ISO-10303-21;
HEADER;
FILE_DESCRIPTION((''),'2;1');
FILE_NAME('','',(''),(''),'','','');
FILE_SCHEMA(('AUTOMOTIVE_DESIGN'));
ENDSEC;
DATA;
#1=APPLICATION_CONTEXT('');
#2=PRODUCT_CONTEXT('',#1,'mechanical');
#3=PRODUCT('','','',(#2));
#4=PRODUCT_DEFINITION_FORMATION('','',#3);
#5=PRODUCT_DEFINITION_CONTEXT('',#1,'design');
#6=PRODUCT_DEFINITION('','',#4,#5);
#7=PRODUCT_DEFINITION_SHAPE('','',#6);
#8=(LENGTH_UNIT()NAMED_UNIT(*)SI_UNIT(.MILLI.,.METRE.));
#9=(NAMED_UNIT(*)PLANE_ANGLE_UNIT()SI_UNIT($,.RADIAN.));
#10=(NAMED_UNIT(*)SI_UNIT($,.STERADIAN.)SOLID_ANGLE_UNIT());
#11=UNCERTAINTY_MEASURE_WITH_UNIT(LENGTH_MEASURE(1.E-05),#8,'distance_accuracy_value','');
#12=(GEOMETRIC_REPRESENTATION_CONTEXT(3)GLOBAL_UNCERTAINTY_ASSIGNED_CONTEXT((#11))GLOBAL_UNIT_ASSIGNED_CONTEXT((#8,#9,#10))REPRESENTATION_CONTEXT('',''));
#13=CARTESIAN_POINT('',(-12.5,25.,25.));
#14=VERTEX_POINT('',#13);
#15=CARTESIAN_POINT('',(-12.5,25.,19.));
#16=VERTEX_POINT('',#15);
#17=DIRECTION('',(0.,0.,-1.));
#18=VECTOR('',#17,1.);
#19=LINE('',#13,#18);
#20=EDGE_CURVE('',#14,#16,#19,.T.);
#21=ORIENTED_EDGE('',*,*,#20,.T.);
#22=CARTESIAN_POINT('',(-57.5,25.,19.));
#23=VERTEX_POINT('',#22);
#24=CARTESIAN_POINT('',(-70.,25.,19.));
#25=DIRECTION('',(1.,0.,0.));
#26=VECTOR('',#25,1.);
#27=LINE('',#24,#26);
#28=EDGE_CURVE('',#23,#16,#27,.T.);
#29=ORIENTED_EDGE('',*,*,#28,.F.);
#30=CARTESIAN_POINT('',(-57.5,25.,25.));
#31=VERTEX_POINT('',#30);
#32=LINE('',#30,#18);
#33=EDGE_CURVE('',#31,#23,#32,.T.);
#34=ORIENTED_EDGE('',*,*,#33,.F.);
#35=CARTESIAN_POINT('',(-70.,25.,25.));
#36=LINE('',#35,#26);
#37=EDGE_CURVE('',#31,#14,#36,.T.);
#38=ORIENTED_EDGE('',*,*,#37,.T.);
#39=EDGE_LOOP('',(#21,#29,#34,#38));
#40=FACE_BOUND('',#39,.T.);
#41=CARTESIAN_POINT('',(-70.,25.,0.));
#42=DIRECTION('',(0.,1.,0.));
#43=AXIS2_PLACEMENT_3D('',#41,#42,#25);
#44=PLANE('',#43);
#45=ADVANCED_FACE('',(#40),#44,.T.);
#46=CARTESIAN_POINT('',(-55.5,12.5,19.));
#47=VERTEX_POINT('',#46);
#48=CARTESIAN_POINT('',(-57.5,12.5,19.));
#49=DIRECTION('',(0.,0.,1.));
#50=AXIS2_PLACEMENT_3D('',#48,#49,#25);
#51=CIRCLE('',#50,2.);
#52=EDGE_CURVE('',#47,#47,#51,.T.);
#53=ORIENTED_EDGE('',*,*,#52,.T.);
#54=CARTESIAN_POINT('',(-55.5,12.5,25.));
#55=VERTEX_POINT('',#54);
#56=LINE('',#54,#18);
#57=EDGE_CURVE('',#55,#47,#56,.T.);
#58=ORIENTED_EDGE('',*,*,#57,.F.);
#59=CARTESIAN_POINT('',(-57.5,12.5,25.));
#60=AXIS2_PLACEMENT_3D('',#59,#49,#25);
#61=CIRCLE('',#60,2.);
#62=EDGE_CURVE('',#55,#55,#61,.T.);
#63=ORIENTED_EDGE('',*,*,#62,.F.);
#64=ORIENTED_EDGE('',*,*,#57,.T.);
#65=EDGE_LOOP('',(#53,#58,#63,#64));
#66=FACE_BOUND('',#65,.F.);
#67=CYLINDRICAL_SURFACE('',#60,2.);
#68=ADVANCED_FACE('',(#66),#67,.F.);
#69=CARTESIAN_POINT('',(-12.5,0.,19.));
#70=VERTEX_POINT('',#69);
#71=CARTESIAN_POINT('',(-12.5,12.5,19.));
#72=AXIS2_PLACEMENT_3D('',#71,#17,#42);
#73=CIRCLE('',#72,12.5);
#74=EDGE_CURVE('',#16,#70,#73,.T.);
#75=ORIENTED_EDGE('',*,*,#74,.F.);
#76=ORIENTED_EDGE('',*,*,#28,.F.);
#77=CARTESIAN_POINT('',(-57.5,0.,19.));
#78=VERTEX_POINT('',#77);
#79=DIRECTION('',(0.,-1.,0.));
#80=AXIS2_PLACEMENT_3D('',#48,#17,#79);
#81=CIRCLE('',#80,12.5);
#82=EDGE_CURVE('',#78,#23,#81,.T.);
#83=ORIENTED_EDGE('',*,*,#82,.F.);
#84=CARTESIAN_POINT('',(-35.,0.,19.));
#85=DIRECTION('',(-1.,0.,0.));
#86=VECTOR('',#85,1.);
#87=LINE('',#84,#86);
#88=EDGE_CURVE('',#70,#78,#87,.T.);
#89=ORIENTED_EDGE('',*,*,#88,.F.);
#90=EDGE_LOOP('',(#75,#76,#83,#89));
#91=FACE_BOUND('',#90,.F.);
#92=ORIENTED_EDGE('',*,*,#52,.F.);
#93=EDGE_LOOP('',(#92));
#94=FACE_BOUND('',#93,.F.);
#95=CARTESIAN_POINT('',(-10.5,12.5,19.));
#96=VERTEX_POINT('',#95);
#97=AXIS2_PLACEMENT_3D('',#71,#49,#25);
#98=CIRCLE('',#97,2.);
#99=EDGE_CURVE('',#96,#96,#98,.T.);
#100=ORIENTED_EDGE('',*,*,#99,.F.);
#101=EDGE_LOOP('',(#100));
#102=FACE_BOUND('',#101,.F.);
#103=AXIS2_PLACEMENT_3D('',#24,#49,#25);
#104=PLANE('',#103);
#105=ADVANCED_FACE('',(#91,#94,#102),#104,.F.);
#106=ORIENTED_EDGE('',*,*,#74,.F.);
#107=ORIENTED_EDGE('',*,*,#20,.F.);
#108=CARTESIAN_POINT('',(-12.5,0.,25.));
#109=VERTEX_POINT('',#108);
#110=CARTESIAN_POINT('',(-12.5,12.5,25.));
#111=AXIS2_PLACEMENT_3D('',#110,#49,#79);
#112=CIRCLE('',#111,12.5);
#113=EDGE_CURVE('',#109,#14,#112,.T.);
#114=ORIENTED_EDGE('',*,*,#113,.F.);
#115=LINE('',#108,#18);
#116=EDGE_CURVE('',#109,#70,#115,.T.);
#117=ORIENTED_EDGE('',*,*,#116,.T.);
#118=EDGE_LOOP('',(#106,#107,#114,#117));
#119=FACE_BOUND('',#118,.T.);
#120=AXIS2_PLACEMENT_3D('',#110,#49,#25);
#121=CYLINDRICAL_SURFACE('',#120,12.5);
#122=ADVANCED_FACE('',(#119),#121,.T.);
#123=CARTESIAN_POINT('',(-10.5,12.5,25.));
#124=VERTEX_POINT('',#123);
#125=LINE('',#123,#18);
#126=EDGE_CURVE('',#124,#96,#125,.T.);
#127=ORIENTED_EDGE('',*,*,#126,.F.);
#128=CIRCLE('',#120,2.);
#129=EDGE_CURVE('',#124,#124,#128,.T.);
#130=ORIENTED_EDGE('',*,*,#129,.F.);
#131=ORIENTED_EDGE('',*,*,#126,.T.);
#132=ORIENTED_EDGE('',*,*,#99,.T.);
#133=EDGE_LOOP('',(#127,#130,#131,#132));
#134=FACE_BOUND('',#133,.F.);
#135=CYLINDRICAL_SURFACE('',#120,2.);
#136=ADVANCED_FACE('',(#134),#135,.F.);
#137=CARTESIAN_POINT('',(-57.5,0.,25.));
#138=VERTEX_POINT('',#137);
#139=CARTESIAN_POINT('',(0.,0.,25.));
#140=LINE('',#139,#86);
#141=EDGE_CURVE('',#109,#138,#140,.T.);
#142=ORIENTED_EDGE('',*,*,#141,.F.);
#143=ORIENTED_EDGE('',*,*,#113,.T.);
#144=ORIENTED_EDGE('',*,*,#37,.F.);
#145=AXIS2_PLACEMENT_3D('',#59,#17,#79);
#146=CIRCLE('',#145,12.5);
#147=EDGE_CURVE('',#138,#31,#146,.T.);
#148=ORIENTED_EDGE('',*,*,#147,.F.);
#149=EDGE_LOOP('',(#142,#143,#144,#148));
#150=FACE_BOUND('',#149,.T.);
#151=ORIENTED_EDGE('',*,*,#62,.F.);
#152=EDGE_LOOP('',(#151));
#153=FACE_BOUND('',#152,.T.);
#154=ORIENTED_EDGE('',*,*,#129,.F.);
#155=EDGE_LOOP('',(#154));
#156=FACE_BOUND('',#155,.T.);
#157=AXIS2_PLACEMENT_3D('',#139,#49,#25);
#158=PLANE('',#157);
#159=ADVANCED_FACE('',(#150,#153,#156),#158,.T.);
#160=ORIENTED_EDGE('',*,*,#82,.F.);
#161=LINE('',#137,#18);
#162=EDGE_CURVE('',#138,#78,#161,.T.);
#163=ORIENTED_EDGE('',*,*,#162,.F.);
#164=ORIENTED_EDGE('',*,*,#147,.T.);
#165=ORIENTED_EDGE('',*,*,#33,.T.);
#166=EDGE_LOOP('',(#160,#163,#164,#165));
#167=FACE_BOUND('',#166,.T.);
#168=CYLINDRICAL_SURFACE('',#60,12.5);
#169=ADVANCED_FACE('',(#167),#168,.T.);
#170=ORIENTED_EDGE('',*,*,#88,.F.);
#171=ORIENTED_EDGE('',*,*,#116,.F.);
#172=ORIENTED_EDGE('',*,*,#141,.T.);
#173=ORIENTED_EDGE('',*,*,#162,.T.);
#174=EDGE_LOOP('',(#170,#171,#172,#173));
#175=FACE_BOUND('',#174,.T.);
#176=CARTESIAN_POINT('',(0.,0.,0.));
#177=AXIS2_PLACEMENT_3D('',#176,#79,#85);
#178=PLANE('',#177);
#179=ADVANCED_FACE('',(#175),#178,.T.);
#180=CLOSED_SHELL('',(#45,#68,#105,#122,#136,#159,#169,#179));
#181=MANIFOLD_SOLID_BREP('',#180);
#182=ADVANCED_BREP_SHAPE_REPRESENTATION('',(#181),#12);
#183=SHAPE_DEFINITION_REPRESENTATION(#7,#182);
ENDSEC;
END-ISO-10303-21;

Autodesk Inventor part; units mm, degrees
ref_plane "YZ Plane" through (0, 0, 0) normal (1, 0, 0) x (0, 1, 0)
ref_plane "XZ Plane" through (0, 0, 0) normal (0, 1, 0) x (-1, 0, 0)
ref_plane "XY Plane" through (0, 0, 0) normal (0, 0, 1) x (1, 0, 0)
sketch "Sketch1" plane through (0, 0, 0) normal (0, 0, 1) x (1, 0, 0)
  line L0 (0, 0) -> (-70, 0)
  line L1 (-70, 0) -> (-70, 25)
  line L2 (-70, 25) -> (0, 25)
  line L3 (0, 25) -> (0, 0)
  dimension "d0" = 25
  dimension "d1" = 70
extrude "Extrusion1" add sketch "Sketch1" along normal blind 25
sketch "Sketch3" plane through (0, 0, 25) normal (0, 0, 1) x (1, 0, 0)
  line L0 (0, 0) -> (0, 25) projected
  line L1 (-70, 0) -> (0, 0) projected
  circle A0 centre (-12.5, 12.5) radius 12.5 projected
  circle A1 centre (-57.5, 12.5) radius 12.5 projected
  line L2 (-70, 25) -> (-70, 0) projected
  circle A2 centre (-57.5, 12.5) radius 2 projected
  circle A3 centre (-12.5, 12.5) radius 2 projected
  line L3 (0, 25) -> (-70, 25) projected
  point P0 (-12.5, 25)
  point P1 (0, 12.5)
  point P2 (-12.5, 0)
  point P3 (-57.5, 25)
  point P4 (-70, 12.5)
  point P5 (-57.5, 0)
extrude "Extrusion2" cut sketch "Sketch3" against normal blind 25 contours L1 A0 L0 | A0 L3 L0 | L1 L2 A1 | A1 L2 L3 | A2 | A3
sketch "Sketch4" plane through (-57.5, 25, 0) normal (0, 1, 0) x (1, 0, 0)
  line L0 (-12.5, 0) -> (-12.5, -25) projected
  line L1 (57.5, 0) -> (-12.5, 0)
  line L2 (-12.5, 0) -> (-12.5, -19)
  line L3 (-12.5, -19) -> (57.5, -19)
  line L4 (57.5, -19) -> (57.5, 0)
  dimension "d14" = 19
extrude "Extrusion3" cut sketch "Sketch4" against normal blind 100
sketch "Sketch5" plane through (0, 0, 25) normal (0, 0, 1) x (1, 0, 0)
  point P0 (0, 0)
properties part number "Small Rod"
